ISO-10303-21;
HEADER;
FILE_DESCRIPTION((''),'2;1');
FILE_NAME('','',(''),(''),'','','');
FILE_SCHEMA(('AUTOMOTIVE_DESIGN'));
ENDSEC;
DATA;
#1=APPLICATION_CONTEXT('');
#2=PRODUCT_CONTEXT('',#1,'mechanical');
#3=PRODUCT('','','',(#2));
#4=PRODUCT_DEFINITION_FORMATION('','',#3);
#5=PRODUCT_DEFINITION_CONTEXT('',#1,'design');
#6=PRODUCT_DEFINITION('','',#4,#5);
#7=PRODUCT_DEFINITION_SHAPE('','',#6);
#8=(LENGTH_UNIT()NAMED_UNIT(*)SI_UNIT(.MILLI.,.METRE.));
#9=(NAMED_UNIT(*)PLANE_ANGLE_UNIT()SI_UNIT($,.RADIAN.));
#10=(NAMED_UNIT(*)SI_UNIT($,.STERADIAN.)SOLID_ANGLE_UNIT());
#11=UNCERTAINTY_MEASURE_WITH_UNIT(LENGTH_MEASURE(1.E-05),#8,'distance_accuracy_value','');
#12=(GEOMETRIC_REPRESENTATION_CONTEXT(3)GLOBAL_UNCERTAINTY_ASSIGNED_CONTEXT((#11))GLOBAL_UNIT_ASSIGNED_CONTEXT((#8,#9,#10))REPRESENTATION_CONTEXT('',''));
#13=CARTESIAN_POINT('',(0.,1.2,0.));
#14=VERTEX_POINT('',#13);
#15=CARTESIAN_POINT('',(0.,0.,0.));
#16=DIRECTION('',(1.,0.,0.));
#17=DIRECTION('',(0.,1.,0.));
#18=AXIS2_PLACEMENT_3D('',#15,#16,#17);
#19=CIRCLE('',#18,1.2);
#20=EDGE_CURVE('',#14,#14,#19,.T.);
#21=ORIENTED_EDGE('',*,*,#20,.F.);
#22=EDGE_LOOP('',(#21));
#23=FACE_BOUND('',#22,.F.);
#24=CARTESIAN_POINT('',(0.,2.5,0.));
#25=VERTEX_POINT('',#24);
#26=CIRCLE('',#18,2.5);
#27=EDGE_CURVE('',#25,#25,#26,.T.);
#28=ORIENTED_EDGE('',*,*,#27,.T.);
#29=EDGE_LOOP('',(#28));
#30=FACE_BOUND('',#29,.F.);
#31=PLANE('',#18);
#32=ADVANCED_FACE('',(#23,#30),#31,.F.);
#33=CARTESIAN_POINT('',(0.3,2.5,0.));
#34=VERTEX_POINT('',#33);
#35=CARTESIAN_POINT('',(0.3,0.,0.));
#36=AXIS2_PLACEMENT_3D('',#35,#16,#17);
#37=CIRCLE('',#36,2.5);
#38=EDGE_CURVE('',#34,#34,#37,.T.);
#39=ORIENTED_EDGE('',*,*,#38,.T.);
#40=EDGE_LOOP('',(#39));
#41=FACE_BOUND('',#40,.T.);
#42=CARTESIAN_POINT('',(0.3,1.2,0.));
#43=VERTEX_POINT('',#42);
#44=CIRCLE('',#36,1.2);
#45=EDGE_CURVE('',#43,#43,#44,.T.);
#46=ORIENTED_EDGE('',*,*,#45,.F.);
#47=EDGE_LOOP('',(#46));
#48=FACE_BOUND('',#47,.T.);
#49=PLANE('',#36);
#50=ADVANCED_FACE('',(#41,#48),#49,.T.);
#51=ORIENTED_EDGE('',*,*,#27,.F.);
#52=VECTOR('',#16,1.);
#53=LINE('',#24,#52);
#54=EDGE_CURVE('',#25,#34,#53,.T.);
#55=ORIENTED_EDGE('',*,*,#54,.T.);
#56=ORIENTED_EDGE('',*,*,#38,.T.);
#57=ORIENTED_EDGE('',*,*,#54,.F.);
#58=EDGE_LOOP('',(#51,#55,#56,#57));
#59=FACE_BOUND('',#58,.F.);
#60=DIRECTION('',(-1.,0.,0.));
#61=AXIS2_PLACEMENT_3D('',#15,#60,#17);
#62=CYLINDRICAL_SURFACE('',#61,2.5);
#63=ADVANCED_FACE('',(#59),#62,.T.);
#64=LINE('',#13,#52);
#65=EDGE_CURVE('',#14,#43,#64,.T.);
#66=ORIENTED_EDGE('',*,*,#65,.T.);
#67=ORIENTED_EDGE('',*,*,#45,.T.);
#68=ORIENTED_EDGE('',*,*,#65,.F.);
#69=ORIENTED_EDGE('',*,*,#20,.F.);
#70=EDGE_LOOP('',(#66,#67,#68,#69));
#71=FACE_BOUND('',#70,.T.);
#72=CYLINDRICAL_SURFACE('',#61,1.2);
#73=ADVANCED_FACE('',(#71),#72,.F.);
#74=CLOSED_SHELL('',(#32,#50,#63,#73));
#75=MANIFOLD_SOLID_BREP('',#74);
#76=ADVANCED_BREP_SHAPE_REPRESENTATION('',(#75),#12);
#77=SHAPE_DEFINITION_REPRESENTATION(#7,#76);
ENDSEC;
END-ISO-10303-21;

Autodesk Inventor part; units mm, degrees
ref_plane "YZ Plane" through (0, 0, 0) normal (1, 0, 0) x (0, 1, 0)
ref_plane "XZ Plane" through (0, 0, 0) normal (0, 1, 0) x (-1, 0, 0)
sketch "Skizze" plane through (0, 0, 0) normal (1, 0, 0) x (0, 1, 0)
  circle A0 centre (0, 0) radius 2.5
  circle A1 centre (0, 0) radius 1.2
  dimension "d0" = 2.4
  dimension "d1" = 5
extrude "Körper" add sketch "Skizze" along normal blind 0.3
ref_plane "Work Plane1" through (0, 0, 0) normal (0, 0, 1) x (1, 0, 0)
equation "\"d0\" = SD1"
equation "\"d1\" = SD2"
equation "\"d2\" = SD"
equation "\"SD1\" = 2.4"
equation "\"SD2\" = 5"
equation "\"SD\" = 0.3"
equation "\"NND\" = 2"
properties part number "ISO 7091 - ST 2 - 100 HV" material "Stahl"
